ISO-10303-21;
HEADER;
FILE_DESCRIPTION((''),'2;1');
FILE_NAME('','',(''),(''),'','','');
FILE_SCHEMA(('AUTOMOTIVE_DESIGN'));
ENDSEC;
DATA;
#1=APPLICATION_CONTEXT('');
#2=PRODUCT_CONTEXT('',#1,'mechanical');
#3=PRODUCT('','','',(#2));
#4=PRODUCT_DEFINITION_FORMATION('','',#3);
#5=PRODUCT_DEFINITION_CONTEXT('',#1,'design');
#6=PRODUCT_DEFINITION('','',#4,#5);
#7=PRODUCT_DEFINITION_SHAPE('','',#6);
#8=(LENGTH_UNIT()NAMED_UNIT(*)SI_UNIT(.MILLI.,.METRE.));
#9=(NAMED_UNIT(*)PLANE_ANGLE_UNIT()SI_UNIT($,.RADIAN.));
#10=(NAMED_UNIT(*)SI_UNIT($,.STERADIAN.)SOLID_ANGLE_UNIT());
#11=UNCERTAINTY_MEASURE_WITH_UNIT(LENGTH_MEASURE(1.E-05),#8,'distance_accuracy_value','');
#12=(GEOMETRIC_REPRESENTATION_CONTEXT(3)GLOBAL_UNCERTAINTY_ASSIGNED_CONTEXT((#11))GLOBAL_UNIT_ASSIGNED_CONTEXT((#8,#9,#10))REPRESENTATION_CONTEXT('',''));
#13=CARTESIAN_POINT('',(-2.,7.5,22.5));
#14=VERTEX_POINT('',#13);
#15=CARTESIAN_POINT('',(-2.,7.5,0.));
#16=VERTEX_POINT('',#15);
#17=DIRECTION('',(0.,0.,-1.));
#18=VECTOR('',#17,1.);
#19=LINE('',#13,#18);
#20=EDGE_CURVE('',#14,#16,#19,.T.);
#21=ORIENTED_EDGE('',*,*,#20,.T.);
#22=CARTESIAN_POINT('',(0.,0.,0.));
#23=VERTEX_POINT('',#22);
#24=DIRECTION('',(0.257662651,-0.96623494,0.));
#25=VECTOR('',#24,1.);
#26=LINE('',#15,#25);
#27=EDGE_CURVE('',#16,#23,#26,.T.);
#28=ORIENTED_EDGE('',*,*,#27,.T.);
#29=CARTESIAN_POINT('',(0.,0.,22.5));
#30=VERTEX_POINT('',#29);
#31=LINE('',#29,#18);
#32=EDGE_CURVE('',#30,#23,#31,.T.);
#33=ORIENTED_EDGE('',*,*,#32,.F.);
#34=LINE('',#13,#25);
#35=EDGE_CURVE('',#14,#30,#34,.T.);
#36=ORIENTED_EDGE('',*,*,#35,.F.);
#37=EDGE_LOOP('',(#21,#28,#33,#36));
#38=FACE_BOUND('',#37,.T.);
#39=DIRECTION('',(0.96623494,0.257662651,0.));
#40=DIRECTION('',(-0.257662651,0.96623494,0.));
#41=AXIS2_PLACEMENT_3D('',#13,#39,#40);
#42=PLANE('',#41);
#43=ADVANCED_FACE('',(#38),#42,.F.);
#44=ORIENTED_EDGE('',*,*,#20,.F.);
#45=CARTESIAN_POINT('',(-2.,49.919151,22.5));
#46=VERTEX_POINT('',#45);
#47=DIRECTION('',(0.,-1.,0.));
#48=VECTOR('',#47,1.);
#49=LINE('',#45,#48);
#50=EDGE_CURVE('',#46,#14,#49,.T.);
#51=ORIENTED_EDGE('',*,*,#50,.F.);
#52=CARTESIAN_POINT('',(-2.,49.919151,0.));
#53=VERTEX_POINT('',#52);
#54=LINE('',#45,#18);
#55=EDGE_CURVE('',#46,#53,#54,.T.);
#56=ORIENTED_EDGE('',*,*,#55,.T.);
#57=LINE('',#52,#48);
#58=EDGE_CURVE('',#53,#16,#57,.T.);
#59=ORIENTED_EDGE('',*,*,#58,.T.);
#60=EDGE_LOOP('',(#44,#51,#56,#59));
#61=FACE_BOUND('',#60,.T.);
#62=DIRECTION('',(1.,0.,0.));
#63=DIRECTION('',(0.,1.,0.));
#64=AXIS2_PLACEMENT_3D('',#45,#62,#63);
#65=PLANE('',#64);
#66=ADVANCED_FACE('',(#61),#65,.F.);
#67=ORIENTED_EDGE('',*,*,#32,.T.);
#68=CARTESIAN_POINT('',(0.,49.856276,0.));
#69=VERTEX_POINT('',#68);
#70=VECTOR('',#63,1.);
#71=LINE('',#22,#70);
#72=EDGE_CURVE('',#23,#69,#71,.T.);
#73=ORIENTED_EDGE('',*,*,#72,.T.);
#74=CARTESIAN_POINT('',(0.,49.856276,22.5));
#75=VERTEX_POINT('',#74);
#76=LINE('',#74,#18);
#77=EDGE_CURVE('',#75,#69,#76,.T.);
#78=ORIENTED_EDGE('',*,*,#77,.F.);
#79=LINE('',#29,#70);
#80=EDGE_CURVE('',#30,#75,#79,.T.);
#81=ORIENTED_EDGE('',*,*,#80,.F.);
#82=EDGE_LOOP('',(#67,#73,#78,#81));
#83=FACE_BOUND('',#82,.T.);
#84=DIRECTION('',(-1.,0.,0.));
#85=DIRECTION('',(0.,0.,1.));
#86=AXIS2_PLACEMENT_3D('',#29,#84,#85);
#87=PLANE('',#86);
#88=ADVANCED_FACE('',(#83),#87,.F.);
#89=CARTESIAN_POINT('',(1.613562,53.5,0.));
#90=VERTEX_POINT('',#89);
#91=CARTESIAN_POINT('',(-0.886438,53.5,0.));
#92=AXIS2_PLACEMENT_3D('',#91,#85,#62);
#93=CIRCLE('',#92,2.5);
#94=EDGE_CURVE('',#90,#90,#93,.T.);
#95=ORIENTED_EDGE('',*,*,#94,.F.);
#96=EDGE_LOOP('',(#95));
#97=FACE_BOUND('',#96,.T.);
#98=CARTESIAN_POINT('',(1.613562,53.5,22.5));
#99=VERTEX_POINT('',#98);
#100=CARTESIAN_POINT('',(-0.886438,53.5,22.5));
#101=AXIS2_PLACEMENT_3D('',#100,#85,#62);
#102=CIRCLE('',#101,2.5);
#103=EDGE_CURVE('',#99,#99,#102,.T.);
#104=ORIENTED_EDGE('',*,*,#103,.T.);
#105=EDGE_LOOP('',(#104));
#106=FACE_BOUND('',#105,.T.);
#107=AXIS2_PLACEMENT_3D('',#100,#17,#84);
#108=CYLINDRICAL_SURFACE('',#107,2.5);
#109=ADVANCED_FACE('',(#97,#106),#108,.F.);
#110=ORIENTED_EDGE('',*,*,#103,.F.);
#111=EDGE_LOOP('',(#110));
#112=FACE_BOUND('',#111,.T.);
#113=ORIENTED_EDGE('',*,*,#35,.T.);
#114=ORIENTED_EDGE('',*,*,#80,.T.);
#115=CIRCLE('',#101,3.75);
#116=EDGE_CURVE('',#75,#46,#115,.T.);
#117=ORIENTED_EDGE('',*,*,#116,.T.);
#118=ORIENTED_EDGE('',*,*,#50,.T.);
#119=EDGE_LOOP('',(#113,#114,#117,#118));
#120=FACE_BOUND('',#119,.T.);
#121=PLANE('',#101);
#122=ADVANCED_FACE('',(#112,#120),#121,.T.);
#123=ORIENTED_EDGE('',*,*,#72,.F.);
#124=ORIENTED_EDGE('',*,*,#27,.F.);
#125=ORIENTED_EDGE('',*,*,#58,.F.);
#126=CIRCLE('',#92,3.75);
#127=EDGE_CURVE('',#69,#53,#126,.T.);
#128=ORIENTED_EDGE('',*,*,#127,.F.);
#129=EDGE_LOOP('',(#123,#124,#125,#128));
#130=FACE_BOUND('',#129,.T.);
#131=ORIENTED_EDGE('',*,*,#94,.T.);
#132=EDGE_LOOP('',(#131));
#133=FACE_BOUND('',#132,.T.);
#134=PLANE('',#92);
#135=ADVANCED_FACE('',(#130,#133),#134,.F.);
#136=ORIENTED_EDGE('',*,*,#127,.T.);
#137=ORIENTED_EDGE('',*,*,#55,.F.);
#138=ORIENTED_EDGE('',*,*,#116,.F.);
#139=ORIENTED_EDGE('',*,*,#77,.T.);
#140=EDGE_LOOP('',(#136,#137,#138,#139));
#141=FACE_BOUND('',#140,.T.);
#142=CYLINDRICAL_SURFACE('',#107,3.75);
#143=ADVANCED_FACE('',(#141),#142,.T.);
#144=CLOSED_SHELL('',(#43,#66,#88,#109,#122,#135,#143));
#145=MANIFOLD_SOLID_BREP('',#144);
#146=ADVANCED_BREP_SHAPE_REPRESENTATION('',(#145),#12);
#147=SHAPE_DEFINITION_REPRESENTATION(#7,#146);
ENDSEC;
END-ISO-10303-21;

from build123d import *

# Parameters (mm, degrees)
CROQUIS1_R              = 2.5
SALIENTE_EXTRUIR2_DEPTH = 22.5


with BuildPart() as part:
    # Croquis1 → Saliente-Extruir2 (new body)
    with BuildSketch(Plane.XY):
        with BuildLine():
            Line((0, 0), (0, 49.8562756))
            ThreePointArc((0, 49.8562756), (-0.768605016, 57.248148258), (-2, 49.919150955))
            Line((-2, 49.919150955), (-2, 7.5))
            Line((-2, 7.5), (0, 0))
        make_face()
        with Locations((-0.886438093, 53.5)):
            Circle(CROQUIS1_R, mode=Mode.SUBTRACT)
    extrude(amount=SALIENTE_EXTRUIR2_DEPTH)


solid = part.part
